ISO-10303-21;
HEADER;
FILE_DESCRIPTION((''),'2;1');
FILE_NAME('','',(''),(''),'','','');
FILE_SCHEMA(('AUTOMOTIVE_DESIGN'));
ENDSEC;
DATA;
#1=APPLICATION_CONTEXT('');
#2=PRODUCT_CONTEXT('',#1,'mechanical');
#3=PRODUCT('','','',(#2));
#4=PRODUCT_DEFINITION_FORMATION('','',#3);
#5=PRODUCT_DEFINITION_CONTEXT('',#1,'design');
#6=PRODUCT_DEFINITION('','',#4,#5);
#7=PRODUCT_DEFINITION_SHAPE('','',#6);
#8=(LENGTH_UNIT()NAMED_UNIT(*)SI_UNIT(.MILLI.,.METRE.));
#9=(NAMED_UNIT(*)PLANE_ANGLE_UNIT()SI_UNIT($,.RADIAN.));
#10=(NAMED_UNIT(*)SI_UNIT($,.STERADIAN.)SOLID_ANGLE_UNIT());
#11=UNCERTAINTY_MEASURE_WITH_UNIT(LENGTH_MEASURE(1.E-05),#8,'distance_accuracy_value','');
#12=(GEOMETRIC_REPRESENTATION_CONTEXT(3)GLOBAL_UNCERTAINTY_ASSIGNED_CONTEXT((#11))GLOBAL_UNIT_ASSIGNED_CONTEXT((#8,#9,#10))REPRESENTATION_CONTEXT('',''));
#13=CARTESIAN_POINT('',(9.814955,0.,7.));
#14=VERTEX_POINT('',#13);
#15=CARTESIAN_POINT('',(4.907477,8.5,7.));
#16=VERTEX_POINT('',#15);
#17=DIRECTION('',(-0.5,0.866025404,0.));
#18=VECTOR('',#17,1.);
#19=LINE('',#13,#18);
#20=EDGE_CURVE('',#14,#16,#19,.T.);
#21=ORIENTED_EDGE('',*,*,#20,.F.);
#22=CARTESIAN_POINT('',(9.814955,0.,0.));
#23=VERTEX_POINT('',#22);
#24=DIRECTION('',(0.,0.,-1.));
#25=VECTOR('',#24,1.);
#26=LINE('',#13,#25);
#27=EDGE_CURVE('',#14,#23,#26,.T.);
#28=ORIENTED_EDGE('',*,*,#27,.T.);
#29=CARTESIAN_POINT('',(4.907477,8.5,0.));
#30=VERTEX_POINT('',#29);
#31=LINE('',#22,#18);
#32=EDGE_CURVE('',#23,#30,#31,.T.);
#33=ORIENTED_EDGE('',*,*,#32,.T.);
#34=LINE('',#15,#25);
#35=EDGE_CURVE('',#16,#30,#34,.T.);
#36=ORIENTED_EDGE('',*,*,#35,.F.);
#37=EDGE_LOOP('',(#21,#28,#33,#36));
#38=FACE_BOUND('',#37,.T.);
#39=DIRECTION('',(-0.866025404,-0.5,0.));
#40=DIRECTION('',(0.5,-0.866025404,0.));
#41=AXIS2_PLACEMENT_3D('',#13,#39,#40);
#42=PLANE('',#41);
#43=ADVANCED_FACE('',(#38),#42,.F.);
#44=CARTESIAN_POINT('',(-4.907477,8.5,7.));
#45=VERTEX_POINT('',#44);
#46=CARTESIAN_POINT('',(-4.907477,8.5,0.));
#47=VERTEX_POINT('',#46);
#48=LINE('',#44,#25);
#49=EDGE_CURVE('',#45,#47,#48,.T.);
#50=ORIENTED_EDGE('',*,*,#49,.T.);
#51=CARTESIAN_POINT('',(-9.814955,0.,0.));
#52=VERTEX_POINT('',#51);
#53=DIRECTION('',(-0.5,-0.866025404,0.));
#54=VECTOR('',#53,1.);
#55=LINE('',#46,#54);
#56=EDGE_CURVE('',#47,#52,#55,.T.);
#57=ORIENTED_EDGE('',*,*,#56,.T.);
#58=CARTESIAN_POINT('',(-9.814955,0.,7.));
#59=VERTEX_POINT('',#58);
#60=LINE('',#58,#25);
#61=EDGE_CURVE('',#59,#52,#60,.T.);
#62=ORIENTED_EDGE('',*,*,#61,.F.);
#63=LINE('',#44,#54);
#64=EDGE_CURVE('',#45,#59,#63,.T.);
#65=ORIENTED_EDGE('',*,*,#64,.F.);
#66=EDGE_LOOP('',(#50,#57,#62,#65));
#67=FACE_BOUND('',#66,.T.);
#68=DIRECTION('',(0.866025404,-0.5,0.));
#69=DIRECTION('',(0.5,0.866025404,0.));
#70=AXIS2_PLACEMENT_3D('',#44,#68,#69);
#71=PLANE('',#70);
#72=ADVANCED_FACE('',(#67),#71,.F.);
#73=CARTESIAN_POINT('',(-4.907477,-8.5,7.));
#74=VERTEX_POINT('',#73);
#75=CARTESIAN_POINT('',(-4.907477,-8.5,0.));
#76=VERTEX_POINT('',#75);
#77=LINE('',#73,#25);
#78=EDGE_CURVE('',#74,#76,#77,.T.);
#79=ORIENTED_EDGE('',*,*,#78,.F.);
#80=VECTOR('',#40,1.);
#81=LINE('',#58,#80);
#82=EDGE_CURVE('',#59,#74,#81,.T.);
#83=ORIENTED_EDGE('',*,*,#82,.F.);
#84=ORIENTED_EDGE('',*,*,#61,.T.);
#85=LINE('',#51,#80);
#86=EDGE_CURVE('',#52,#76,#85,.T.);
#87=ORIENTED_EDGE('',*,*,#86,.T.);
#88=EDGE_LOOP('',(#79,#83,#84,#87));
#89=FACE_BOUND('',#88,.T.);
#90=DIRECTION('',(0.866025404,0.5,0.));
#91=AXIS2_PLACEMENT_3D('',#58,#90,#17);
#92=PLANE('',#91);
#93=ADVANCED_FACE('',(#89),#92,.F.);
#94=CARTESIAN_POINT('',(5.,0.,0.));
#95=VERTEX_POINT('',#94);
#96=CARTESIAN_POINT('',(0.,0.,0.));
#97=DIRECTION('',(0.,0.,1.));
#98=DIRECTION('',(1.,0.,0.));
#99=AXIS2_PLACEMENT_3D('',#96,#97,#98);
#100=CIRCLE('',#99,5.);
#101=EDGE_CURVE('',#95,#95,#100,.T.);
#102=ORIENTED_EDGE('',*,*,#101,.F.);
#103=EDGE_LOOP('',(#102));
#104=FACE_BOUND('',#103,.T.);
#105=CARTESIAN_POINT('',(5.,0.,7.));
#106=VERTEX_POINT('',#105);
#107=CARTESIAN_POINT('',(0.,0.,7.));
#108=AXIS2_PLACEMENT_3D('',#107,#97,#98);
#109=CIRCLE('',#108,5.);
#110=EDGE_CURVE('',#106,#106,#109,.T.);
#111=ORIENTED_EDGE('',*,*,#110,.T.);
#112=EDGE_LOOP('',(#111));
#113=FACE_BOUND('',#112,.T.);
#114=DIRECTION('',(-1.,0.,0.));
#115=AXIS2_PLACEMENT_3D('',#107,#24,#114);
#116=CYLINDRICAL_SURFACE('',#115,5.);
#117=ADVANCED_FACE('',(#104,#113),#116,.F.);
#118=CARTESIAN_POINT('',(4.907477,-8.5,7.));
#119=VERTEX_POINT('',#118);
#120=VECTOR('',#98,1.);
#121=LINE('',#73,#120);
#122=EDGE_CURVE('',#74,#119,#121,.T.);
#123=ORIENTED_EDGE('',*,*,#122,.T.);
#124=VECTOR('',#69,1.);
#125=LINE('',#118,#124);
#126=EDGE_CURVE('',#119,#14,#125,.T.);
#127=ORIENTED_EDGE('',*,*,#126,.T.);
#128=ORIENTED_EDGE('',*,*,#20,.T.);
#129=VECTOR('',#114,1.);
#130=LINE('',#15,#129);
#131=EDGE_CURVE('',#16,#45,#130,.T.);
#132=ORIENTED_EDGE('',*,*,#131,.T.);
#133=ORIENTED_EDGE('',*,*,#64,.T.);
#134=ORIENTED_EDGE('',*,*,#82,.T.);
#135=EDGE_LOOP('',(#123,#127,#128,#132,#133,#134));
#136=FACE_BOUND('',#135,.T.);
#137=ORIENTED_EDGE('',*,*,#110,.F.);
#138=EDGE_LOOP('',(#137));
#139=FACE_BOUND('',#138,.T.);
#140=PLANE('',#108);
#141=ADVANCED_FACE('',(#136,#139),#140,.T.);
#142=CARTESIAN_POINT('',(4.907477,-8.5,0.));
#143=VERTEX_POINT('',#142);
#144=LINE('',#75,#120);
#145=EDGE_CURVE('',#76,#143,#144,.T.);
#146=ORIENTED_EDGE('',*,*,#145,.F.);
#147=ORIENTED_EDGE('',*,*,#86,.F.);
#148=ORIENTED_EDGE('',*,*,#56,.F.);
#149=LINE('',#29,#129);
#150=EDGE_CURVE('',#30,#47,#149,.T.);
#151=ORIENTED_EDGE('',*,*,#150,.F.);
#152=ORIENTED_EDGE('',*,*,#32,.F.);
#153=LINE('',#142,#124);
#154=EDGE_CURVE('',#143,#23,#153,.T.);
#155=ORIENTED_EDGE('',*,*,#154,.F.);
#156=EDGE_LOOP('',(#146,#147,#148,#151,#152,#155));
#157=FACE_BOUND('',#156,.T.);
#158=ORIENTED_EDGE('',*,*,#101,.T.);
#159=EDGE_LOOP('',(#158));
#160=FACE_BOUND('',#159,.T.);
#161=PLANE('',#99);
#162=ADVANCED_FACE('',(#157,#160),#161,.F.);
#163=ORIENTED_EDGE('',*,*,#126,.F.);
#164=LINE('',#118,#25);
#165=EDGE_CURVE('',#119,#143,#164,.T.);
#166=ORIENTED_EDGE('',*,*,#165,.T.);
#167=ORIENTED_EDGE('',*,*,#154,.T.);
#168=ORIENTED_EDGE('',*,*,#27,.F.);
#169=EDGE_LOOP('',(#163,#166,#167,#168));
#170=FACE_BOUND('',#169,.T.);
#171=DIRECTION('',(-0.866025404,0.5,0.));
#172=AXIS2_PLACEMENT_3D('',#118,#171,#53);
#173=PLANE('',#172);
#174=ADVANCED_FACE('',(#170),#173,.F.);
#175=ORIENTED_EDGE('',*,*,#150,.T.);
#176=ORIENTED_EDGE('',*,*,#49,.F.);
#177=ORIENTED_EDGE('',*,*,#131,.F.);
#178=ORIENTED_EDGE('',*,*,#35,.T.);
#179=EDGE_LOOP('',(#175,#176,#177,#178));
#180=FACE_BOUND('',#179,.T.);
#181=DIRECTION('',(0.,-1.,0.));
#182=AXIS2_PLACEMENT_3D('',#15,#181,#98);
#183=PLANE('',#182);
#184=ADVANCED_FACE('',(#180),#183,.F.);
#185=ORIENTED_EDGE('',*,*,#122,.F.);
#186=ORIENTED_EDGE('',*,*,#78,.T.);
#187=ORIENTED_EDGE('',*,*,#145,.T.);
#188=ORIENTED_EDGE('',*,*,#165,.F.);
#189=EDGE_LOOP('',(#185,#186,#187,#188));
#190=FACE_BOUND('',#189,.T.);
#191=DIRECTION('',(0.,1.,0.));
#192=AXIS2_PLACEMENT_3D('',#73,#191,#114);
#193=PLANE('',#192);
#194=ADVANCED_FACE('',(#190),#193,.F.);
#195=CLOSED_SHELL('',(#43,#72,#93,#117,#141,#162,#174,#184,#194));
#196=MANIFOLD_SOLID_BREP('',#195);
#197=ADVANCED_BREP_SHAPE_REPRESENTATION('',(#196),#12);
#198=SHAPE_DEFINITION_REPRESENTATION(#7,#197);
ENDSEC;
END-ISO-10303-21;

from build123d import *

# Parameters (mm, degrees)
ESQUISSE1_R        = 5
BOSS_EXTRU_1_DEPTH = 7


with BuildPart() as part:
    # Esquisse1 → Boss.-Extru.1 (new body)
    with BuildSketch(Plane.XY):
        Polygon((9.814954576, 0), (4.907477288, 8.5), (-4.907477288, 8.5), (-9.814954576, 0), (-4.907477288, -8.5), (4.907477288, -8.5), align=None)
        Circle(ESQUISSE1_R, mode=Mode.SUBTRACT)
    extrude(amount=BOSS_EXTRU_1_DEPTH)


solid = part.part
